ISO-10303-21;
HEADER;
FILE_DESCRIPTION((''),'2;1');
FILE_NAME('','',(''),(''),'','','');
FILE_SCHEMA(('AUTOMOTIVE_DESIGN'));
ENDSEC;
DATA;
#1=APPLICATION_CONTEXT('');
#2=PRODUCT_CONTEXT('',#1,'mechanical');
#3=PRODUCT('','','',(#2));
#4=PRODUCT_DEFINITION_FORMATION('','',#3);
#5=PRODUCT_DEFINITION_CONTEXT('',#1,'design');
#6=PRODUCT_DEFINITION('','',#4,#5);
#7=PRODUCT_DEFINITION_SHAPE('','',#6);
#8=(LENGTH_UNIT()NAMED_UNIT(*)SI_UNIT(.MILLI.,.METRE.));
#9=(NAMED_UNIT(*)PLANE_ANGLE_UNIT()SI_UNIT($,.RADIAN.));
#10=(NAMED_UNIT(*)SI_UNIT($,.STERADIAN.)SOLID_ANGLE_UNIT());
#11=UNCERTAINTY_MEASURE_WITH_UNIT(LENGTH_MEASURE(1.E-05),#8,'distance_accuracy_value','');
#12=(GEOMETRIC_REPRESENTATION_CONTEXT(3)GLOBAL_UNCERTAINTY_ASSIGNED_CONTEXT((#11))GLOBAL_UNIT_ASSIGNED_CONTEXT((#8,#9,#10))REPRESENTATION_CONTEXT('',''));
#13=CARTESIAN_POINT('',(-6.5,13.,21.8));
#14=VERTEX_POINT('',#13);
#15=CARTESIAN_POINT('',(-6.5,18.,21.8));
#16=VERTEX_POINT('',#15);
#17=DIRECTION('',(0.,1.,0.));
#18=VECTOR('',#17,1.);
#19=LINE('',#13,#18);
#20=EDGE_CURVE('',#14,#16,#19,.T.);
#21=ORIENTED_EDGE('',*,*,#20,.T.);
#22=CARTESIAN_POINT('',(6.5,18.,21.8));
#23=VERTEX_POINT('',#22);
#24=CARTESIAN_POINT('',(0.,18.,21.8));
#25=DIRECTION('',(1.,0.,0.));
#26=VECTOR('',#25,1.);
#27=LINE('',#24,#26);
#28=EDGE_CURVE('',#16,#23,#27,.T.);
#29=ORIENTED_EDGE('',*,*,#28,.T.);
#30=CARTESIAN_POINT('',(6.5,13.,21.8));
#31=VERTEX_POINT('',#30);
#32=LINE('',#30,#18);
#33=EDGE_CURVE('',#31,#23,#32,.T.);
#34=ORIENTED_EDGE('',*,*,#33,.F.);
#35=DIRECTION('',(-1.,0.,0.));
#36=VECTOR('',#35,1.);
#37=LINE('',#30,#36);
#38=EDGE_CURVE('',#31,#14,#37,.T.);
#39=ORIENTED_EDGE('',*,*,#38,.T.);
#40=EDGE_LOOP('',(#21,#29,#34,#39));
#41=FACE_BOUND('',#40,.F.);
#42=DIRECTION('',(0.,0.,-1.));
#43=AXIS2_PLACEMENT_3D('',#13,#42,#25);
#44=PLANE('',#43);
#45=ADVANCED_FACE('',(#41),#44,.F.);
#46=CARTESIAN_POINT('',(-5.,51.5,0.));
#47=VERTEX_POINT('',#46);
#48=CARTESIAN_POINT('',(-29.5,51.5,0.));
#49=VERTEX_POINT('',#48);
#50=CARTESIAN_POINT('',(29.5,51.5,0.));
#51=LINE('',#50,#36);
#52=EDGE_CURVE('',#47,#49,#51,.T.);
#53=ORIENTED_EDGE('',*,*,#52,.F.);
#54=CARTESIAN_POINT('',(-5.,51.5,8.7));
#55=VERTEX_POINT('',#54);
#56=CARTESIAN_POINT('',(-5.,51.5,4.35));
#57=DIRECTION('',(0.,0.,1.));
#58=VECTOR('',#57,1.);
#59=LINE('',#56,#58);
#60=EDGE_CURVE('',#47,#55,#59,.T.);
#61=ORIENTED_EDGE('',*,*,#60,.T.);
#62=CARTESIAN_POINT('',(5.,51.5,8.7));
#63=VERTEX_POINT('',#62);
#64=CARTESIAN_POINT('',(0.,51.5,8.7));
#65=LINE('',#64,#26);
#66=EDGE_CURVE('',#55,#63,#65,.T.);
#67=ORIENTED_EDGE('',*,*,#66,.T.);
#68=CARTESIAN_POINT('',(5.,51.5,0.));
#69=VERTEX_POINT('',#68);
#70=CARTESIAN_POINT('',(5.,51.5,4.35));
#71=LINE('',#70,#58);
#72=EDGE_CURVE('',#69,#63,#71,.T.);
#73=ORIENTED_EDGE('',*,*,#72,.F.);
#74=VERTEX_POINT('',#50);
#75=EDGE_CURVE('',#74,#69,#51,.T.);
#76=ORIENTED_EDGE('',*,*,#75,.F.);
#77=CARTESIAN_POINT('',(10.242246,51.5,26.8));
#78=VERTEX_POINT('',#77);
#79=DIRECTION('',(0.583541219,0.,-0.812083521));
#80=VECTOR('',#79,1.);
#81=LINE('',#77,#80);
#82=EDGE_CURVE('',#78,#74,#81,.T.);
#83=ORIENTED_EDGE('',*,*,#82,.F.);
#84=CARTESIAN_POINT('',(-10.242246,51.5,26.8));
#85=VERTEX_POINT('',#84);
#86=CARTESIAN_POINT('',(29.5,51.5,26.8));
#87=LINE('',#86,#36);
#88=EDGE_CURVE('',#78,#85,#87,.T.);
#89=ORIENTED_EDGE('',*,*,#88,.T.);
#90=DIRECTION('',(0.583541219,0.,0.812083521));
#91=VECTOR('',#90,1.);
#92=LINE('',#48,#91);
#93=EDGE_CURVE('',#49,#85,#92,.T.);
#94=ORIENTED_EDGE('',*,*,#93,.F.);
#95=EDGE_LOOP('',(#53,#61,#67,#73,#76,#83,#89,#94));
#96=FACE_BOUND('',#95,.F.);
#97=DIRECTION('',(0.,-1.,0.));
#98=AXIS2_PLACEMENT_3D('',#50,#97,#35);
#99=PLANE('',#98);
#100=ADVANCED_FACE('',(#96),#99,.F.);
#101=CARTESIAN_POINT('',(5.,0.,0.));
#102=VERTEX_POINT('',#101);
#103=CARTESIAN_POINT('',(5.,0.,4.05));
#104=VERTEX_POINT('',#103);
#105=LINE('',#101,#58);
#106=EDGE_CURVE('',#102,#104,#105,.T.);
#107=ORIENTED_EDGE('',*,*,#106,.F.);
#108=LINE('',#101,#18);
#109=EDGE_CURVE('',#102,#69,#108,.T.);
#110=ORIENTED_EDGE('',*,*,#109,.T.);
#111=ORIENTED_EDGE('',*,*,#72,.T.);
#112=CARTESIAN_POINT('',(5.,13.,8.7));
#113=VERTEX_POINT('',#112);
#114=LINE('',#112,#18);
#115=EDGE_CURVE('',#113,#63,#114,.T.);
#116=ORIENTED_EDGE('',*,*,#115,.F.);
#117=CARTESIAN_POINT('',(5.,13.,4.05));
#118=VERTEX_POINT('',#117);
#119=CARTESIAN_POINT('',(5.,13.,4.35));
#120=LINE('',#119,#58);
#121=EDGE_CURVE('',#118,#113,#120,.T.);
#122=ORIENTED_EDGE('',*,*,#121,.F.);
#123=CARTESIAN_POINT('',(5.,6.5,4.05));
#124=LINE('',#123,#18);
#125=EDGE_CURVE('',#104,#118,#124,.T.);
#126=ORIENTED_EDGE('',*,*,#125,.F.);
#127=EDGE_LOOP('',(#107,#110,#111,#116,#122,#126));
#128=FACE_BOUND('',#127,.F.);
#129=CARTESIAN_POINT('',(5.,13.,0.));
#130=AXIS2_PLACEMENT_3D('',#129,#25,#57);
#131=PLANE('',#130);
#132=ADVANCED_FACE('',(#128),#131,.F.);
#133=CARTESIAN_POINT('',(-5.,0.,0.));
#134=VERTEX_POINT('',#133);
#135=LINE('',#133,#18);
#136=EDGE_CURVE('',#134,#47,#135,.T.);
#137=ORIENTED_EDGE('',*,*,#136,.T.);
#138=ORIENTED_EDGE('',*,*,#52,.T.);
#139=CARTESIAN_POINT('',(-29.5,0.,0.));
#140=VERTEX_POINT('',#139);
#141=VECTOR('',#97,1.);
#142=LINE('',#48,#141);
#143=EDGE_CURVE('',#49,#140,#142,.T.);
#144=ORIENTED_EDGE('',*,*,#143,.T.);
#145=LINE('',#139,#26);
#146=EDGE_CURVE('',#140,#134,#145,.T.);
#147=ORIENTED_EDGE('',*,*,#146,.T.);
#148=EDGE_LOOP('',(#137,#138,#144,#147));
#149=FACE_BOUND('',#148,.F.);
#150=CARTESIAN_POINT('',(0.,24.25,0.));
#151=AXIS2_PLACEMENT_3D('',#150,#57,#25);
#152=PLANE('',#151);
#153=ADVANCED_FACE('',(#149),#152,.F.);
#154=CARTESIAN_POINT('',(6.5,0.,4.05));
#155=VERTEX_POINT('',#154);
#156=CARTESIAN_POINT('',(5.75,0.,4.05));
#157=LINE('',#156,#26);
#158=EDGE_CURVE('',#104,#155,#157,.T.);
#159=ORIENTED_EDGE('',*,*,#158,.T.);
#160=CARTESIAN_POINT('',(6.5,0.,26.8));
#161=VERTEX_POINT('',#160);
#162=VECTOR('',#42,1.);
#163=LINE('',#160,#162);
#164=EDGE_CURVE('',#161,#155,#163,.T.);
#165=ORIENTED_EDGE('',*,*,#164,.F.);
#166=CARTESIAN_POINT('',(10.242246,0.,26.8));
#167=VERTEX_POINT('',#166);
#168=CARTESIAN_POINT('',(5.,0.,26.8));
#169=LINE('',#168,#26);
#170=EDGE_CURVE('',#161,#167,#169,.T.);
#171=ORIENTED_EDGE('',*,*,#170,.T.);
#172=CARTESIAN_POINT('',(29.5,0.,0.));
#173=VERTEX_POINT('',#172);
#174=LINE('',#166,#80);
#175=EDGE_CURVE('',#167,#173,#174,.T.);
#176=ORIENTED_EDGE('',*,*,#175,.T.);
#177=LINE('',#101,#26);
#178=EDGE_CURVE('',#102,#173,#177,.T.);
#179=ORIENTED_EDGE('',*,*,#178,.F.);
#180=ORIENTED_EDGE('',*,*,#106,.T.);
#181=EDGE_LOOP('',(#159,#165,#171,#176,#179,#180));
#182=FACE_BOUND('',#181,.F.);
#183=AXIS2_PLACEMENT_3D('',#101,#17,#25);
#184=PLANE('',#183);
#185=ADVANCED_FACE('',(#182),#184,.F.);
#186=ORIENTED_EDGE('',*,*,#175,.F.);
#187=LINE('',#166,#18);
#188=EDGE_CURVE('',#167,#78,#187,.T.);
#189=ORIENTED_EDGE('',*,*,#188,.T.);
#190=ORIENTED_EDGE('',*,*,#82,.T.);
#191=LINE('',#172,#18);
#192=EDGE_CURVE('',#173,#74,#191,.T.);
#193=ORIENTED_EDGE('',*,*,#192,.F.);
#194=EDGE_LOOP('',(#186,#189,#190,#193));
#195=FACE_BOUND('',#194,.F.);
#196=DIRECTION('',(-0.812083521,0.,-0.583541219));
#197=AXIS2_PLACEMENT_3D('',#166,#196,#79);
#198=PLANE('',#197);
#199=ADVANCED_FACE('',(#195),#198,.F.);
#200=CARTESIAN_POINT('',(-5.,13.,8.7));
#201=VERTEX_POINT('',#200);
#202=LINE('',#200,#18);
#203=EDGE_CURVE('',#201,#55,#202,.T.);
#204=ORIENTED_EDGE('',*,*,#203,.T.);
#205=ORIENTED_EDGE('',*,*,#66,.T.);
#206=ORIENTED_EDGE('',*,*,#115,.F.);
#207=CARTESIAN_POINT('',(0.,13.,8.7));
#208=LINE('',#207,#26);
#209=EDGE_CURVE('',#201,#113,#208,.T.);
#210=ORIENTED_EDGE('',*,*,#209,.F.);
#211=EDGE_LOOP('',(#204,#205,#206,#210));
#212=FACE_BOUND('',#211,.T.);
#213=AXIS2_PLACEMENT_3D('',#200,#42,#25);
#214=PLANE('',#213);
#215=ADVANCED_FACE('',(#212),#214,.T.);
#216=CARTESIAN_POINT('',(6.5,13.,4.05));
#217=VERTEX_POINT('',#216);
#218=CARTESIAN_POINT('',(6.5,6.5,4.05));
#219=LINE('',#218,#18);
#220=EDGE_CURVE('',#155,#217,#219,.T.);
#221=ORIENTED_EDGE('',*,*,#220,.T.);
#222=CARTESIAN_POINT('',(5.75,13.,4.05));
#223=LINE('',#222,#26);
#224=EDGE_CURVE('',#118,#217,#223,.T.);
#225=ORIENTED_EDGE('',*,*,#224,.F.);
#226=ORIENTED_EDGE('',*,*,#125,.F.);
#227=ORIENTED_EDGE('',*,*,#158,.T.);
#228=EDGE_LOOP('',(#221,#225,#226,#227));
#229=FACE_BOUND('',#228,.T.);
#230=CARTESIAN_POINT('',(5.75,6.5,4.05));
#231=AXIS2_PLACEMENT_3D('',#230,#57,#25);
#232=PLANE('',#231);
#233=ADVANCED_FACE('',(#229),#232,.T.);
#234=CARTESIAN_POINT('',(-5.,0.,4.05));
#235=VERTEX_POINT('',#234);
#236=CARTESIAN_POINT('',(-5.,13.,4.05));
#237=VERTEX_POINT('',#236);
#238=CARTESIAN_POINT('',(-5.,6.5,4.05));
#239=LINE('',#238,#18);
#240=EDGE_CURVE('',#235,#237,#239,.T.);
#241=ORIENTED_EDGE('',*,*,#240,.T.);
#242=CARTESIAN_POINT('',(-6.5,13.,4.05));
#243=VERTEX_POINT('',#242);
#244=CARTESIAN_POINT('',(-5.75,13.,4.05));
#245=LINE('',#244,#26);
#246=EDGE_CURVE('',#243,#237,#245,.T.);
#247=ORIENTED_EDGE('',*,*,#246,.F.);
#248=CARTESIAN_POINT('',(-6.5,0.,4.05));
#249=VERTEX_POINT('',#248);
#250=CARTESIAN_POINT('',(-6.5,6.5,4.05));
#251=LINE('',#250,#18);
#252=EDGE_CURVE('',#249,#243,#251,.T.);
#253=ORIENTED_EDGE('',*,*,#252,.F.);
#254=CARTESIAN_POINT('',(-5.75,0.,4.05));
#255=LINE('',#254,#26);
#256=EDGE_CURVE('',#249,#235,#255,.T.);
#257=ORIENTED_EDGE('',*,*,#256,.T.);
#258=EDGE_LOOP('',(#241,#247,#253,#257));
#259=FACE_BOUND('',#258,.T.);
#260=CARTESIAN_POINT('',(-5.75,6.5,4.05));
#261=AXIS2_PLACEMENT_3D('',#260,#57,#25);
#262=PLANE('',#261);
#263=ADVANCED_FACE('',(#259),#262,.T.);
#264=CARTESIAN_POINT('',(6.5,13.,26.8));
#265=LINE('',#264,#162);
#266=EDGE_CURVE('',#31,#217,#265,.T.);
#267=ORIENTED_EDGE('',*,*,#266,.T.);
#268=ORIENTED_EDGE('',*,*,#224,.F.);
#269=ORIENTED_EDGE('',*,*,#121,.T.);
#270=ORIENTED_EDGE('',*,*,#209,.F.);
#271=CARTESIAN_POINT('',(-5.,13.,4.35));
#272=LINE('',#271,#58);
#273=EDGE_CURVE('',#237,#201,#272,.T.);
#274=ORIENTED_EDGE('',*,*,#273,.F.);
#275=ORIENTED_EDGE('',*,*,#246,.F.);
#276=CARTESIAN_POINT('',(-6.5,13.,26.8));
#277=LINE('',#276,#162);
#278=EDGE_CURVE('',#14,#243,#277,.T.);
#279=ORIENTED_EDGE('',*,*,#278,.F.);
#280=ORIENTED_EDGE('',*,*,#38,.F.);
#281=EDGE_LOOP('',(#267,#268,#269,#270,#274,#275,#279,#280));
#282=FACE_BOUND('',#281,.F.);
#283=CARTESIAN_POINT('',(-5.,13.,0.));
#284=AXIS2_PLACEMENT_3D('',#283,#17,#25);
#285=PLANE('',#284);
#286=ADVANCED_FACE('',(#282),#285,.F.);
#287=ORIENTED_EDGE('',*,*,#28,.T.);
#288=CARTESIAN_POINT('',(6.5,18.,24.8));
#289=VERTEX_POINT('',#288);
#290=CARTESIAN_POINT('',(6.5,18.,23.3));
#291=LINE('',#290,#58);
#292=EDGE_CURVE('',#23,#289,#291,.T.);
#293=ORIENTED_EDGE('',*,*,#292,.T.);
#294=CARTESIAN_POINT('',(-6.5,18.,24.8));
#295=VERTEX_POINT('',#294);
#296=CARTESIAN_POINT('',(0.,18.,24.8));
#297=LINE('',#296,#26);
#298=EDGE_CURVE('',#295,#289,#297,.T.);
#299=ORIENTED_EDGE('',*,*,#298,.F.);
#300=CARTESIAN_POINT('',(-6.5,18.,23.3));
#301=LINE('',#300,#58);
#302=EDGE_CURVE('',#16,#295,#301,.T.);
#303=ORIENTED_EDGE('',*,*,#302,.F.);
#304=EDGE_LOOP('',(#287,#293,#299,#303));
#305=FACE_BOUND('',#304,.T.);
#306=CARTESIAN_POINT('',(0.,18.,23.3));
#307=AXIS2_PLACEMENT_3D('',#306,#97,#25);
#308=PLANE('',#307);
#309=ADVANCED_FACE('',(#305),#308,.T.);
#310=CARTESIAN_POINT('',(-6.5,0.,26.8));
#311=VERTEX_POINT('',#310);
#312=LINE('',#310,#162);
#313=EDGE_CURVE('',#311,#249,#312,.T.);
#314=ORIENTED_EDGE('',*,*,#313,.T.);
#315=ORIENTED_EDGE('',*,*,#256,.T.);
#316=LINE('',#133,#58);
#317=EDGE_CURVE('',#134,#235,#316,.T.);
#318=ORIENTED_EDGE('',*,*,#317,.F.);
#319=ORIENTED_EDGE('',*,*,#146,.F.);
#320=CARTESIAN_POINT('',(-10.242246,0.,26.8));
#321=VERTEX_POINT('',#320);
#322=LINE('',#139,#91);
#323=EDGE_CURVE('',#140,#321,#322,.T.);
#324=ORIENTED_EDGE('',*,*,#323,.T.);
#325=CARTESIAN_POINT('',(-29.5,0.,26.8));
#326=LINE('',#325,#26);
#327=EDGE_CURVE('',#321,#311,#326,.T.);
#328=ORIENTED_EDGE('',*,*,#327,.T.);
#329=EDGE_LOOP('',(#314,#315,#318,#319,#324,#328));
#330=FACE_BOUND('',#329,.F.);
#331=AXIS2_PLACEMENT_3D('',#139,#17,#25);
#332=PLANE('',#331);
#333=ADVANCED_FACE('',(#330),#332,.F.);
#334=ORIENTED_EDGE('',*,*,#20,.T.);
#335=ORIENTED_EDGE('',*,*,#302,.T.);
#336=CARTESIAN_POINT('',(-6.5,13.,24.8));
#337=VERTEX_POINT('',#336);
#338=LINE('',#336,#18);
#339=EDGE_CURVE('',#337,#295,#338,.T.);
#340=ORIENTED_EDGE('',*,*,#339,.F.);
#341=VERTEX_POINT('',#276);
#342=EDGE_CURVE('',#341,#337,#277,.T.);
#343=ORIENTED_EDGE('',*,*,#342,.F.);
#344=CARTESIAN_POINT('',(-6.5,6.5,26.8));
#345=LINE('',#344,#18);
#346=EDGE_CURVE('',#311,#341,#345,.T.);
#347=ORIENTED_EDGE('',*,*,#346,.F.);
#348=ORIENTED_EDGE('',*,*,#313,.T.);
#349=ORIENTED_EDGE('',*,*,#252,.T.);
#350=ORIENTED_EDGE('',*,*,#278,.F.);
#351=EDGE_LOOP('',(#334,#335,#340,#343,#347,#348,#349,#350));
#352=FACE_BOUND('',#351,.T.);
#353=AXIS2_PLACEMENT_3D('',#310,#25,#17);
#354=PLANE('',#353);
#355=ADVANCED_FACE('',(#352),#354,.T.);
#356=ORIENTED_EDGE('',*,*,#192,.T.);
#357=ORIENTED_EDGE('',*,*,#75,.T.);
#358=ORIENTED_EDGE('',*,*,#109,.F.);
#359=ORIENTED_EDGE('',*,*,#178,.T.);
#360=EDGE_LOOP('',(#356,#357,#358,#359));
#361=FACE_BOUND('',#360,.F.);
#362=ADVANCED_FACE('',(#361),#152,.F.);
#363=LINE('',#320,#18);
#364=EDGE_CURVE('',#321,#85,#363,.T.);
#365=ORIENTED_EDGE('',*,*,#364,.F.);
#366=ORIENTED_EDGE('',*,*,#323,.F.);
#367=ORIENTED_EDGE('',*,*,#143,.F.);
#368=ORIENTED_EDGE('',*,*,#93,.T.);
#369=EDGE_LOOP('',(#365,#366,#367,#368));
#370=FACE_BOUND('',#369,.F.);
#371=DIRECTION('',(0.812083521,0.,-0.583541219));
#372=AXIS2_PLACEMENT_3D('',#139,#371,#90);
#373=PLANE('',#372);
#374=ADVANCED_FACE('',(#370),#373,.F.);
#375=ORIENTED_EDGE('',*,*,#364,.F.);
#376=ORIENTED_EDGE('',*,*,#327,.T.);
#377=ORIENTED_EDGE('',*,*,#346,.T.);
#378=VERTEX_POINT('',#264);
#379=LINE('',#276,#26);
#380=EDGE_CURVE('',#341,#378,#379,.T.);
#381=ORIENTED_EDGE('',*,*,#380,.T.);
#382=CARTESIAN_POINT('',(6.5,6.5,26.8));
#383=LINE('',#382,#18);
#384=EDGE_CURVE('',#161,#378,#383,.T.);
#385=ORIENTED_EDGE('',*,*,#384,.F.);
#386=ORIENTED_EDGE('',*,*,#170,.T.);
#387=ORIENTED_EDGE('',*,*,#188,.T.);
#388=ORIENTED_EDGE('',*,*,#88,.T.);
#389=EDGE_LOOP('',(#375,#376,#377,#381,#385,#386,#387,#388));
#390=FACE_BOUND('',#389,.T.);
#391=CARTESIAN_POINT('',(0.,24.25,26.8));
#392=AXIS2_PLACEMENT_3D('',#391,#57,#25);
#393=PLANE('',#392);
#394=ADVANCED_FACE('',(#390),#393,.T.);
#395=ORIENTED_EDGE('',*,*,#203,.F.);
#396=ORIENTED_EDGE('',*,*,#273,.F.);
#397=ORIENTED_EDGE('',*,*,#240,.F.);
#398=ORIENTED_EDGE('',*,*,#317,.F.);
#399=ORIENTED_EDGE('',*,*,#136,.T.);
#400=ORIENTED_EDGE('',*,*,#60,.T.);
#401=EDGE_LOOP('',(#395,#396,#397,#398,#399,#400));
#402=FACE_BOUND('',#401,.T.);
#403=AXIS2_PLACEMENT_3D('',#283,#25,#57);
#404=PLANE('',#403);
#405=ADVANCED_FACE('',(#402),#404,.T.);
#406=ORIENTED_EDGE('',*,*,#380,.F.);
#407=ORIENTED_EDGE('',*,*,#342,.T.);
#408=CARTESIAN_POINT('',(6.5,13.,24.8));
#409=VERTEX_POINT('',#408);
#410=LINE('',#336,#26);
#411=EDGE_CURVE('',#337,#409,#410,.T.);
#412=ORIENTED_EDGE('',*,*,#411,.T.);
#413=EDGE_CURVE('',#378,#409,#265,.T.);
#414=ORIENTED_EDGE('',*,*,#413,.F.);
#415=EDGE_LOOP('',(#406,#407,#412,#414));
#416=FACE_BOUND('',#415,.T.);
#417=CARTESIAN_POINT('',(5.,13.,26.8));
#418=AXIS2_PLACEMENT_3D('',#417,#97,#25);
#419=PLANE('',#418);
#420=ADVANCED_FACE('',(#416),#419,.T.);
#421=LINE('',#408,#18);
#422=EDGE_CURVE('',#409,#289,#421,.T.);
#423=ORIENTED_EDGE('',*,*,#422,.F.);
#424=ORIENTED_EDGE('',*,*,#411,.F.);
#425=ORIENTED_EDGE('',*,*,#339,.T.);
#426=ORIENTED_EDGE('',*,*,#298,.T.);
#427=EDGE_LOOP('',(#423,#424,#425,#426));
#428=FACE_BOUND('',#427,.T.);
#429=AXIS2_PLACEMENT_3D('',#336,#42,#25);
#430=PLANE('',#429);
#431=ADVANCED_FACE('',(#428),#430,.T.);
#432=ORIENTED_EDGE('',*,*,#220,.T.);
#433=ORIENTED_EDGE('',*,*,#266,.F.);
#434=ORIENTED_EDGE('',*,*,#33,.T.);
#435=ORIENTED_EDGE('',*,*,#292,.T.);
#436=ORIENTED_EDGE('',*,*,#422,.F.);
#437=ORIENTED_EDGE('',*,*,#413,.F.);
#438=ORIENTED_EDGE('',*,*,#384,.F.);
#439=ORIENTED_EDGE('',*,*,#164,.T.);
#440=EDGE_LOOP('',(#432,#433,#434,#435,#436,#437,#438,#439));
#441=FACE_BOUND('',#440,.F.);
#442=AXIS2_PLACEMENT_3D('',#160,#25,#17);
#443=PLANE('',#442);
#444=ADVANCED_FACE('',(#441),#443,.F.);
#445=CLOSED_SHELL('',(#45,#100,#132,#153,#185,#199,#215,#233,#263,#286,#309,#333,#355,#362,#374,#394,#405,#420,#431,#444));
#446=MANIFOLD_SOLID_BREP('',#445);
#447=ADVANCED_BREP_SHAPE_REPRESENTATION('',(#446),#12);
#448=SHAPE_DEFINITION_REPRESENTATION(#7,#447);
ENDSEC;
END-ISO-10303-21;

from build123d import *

# Parameters (mm, degrees)
F1_DEPTH = 26.8
F3_DEPTH = 51.5
F4_W     = 13
F4_H     = 3
F5_DEPTH = 5
F6_W     = 1.5
F6_H     = 13
F7_DEPTH = 22.75
F8_W     = 10
F8_H     = 8.7
F9_DEPTH = 38.5


with BuildPart() as f1:
    # F0 (on Top) → F1 (new body)
    with BuildSketch(Plane.XY):
        Polygon((29.5, 51.5), (-29.5, 51.5), (-29.5, 0), (-5, 0), (-5, 13), (5, 13), (5, 0), (29.5, 0), align=None)
    extrude(amount=F1_DEPTH)

    # F2 (on face) → F3 (cut, through all)
    with BuildSketch(Plane.XZ):
        Polygon((10.242246, 26.8), (29.5, 0), (29.5, 26.8), align=None)
        Polygon((-29.5, 26.8), (-29.5, 0), (-10.242246, 26.8), align=None)
    extrude(amount=-F3_DEPTH, mode=Mode.SUBTRACT)

    # F4 (on face) → F5 (cut)
    with BuildSketch(Plane.XZ.offset(-13)):
        with Locations((0, 23.3)):
            Rectangle(F4_W, F4_H)
    extrude(amount=-F5_DEPTH, mode=Mode.SUBTRACT)

    # F6 (on face) → F7 (cut)
    with BuildSketch(Plane.XY.offset(26.8)):
        with Locations((-5.75, 6.5)):
            Rectangle(F6_W, F6_H)
        with Locations((5.75, 6.5)):
            Rectangle(F6_W, F6_H)
    extrude(amount=-F7_DEPTH, mode=Mode.SUBTRACT)

    # F8 (on face) → F9 (cut, through all)
    with BuildSketch(Plane.XZ.offset(-13)):
        with Locations((0, 4.35)):
            Rectangle(F8_W, F8_H)
    extrude(amount=-F9_DEPTH, mode=Mode.SUBTRACT)


solid = f1.part
